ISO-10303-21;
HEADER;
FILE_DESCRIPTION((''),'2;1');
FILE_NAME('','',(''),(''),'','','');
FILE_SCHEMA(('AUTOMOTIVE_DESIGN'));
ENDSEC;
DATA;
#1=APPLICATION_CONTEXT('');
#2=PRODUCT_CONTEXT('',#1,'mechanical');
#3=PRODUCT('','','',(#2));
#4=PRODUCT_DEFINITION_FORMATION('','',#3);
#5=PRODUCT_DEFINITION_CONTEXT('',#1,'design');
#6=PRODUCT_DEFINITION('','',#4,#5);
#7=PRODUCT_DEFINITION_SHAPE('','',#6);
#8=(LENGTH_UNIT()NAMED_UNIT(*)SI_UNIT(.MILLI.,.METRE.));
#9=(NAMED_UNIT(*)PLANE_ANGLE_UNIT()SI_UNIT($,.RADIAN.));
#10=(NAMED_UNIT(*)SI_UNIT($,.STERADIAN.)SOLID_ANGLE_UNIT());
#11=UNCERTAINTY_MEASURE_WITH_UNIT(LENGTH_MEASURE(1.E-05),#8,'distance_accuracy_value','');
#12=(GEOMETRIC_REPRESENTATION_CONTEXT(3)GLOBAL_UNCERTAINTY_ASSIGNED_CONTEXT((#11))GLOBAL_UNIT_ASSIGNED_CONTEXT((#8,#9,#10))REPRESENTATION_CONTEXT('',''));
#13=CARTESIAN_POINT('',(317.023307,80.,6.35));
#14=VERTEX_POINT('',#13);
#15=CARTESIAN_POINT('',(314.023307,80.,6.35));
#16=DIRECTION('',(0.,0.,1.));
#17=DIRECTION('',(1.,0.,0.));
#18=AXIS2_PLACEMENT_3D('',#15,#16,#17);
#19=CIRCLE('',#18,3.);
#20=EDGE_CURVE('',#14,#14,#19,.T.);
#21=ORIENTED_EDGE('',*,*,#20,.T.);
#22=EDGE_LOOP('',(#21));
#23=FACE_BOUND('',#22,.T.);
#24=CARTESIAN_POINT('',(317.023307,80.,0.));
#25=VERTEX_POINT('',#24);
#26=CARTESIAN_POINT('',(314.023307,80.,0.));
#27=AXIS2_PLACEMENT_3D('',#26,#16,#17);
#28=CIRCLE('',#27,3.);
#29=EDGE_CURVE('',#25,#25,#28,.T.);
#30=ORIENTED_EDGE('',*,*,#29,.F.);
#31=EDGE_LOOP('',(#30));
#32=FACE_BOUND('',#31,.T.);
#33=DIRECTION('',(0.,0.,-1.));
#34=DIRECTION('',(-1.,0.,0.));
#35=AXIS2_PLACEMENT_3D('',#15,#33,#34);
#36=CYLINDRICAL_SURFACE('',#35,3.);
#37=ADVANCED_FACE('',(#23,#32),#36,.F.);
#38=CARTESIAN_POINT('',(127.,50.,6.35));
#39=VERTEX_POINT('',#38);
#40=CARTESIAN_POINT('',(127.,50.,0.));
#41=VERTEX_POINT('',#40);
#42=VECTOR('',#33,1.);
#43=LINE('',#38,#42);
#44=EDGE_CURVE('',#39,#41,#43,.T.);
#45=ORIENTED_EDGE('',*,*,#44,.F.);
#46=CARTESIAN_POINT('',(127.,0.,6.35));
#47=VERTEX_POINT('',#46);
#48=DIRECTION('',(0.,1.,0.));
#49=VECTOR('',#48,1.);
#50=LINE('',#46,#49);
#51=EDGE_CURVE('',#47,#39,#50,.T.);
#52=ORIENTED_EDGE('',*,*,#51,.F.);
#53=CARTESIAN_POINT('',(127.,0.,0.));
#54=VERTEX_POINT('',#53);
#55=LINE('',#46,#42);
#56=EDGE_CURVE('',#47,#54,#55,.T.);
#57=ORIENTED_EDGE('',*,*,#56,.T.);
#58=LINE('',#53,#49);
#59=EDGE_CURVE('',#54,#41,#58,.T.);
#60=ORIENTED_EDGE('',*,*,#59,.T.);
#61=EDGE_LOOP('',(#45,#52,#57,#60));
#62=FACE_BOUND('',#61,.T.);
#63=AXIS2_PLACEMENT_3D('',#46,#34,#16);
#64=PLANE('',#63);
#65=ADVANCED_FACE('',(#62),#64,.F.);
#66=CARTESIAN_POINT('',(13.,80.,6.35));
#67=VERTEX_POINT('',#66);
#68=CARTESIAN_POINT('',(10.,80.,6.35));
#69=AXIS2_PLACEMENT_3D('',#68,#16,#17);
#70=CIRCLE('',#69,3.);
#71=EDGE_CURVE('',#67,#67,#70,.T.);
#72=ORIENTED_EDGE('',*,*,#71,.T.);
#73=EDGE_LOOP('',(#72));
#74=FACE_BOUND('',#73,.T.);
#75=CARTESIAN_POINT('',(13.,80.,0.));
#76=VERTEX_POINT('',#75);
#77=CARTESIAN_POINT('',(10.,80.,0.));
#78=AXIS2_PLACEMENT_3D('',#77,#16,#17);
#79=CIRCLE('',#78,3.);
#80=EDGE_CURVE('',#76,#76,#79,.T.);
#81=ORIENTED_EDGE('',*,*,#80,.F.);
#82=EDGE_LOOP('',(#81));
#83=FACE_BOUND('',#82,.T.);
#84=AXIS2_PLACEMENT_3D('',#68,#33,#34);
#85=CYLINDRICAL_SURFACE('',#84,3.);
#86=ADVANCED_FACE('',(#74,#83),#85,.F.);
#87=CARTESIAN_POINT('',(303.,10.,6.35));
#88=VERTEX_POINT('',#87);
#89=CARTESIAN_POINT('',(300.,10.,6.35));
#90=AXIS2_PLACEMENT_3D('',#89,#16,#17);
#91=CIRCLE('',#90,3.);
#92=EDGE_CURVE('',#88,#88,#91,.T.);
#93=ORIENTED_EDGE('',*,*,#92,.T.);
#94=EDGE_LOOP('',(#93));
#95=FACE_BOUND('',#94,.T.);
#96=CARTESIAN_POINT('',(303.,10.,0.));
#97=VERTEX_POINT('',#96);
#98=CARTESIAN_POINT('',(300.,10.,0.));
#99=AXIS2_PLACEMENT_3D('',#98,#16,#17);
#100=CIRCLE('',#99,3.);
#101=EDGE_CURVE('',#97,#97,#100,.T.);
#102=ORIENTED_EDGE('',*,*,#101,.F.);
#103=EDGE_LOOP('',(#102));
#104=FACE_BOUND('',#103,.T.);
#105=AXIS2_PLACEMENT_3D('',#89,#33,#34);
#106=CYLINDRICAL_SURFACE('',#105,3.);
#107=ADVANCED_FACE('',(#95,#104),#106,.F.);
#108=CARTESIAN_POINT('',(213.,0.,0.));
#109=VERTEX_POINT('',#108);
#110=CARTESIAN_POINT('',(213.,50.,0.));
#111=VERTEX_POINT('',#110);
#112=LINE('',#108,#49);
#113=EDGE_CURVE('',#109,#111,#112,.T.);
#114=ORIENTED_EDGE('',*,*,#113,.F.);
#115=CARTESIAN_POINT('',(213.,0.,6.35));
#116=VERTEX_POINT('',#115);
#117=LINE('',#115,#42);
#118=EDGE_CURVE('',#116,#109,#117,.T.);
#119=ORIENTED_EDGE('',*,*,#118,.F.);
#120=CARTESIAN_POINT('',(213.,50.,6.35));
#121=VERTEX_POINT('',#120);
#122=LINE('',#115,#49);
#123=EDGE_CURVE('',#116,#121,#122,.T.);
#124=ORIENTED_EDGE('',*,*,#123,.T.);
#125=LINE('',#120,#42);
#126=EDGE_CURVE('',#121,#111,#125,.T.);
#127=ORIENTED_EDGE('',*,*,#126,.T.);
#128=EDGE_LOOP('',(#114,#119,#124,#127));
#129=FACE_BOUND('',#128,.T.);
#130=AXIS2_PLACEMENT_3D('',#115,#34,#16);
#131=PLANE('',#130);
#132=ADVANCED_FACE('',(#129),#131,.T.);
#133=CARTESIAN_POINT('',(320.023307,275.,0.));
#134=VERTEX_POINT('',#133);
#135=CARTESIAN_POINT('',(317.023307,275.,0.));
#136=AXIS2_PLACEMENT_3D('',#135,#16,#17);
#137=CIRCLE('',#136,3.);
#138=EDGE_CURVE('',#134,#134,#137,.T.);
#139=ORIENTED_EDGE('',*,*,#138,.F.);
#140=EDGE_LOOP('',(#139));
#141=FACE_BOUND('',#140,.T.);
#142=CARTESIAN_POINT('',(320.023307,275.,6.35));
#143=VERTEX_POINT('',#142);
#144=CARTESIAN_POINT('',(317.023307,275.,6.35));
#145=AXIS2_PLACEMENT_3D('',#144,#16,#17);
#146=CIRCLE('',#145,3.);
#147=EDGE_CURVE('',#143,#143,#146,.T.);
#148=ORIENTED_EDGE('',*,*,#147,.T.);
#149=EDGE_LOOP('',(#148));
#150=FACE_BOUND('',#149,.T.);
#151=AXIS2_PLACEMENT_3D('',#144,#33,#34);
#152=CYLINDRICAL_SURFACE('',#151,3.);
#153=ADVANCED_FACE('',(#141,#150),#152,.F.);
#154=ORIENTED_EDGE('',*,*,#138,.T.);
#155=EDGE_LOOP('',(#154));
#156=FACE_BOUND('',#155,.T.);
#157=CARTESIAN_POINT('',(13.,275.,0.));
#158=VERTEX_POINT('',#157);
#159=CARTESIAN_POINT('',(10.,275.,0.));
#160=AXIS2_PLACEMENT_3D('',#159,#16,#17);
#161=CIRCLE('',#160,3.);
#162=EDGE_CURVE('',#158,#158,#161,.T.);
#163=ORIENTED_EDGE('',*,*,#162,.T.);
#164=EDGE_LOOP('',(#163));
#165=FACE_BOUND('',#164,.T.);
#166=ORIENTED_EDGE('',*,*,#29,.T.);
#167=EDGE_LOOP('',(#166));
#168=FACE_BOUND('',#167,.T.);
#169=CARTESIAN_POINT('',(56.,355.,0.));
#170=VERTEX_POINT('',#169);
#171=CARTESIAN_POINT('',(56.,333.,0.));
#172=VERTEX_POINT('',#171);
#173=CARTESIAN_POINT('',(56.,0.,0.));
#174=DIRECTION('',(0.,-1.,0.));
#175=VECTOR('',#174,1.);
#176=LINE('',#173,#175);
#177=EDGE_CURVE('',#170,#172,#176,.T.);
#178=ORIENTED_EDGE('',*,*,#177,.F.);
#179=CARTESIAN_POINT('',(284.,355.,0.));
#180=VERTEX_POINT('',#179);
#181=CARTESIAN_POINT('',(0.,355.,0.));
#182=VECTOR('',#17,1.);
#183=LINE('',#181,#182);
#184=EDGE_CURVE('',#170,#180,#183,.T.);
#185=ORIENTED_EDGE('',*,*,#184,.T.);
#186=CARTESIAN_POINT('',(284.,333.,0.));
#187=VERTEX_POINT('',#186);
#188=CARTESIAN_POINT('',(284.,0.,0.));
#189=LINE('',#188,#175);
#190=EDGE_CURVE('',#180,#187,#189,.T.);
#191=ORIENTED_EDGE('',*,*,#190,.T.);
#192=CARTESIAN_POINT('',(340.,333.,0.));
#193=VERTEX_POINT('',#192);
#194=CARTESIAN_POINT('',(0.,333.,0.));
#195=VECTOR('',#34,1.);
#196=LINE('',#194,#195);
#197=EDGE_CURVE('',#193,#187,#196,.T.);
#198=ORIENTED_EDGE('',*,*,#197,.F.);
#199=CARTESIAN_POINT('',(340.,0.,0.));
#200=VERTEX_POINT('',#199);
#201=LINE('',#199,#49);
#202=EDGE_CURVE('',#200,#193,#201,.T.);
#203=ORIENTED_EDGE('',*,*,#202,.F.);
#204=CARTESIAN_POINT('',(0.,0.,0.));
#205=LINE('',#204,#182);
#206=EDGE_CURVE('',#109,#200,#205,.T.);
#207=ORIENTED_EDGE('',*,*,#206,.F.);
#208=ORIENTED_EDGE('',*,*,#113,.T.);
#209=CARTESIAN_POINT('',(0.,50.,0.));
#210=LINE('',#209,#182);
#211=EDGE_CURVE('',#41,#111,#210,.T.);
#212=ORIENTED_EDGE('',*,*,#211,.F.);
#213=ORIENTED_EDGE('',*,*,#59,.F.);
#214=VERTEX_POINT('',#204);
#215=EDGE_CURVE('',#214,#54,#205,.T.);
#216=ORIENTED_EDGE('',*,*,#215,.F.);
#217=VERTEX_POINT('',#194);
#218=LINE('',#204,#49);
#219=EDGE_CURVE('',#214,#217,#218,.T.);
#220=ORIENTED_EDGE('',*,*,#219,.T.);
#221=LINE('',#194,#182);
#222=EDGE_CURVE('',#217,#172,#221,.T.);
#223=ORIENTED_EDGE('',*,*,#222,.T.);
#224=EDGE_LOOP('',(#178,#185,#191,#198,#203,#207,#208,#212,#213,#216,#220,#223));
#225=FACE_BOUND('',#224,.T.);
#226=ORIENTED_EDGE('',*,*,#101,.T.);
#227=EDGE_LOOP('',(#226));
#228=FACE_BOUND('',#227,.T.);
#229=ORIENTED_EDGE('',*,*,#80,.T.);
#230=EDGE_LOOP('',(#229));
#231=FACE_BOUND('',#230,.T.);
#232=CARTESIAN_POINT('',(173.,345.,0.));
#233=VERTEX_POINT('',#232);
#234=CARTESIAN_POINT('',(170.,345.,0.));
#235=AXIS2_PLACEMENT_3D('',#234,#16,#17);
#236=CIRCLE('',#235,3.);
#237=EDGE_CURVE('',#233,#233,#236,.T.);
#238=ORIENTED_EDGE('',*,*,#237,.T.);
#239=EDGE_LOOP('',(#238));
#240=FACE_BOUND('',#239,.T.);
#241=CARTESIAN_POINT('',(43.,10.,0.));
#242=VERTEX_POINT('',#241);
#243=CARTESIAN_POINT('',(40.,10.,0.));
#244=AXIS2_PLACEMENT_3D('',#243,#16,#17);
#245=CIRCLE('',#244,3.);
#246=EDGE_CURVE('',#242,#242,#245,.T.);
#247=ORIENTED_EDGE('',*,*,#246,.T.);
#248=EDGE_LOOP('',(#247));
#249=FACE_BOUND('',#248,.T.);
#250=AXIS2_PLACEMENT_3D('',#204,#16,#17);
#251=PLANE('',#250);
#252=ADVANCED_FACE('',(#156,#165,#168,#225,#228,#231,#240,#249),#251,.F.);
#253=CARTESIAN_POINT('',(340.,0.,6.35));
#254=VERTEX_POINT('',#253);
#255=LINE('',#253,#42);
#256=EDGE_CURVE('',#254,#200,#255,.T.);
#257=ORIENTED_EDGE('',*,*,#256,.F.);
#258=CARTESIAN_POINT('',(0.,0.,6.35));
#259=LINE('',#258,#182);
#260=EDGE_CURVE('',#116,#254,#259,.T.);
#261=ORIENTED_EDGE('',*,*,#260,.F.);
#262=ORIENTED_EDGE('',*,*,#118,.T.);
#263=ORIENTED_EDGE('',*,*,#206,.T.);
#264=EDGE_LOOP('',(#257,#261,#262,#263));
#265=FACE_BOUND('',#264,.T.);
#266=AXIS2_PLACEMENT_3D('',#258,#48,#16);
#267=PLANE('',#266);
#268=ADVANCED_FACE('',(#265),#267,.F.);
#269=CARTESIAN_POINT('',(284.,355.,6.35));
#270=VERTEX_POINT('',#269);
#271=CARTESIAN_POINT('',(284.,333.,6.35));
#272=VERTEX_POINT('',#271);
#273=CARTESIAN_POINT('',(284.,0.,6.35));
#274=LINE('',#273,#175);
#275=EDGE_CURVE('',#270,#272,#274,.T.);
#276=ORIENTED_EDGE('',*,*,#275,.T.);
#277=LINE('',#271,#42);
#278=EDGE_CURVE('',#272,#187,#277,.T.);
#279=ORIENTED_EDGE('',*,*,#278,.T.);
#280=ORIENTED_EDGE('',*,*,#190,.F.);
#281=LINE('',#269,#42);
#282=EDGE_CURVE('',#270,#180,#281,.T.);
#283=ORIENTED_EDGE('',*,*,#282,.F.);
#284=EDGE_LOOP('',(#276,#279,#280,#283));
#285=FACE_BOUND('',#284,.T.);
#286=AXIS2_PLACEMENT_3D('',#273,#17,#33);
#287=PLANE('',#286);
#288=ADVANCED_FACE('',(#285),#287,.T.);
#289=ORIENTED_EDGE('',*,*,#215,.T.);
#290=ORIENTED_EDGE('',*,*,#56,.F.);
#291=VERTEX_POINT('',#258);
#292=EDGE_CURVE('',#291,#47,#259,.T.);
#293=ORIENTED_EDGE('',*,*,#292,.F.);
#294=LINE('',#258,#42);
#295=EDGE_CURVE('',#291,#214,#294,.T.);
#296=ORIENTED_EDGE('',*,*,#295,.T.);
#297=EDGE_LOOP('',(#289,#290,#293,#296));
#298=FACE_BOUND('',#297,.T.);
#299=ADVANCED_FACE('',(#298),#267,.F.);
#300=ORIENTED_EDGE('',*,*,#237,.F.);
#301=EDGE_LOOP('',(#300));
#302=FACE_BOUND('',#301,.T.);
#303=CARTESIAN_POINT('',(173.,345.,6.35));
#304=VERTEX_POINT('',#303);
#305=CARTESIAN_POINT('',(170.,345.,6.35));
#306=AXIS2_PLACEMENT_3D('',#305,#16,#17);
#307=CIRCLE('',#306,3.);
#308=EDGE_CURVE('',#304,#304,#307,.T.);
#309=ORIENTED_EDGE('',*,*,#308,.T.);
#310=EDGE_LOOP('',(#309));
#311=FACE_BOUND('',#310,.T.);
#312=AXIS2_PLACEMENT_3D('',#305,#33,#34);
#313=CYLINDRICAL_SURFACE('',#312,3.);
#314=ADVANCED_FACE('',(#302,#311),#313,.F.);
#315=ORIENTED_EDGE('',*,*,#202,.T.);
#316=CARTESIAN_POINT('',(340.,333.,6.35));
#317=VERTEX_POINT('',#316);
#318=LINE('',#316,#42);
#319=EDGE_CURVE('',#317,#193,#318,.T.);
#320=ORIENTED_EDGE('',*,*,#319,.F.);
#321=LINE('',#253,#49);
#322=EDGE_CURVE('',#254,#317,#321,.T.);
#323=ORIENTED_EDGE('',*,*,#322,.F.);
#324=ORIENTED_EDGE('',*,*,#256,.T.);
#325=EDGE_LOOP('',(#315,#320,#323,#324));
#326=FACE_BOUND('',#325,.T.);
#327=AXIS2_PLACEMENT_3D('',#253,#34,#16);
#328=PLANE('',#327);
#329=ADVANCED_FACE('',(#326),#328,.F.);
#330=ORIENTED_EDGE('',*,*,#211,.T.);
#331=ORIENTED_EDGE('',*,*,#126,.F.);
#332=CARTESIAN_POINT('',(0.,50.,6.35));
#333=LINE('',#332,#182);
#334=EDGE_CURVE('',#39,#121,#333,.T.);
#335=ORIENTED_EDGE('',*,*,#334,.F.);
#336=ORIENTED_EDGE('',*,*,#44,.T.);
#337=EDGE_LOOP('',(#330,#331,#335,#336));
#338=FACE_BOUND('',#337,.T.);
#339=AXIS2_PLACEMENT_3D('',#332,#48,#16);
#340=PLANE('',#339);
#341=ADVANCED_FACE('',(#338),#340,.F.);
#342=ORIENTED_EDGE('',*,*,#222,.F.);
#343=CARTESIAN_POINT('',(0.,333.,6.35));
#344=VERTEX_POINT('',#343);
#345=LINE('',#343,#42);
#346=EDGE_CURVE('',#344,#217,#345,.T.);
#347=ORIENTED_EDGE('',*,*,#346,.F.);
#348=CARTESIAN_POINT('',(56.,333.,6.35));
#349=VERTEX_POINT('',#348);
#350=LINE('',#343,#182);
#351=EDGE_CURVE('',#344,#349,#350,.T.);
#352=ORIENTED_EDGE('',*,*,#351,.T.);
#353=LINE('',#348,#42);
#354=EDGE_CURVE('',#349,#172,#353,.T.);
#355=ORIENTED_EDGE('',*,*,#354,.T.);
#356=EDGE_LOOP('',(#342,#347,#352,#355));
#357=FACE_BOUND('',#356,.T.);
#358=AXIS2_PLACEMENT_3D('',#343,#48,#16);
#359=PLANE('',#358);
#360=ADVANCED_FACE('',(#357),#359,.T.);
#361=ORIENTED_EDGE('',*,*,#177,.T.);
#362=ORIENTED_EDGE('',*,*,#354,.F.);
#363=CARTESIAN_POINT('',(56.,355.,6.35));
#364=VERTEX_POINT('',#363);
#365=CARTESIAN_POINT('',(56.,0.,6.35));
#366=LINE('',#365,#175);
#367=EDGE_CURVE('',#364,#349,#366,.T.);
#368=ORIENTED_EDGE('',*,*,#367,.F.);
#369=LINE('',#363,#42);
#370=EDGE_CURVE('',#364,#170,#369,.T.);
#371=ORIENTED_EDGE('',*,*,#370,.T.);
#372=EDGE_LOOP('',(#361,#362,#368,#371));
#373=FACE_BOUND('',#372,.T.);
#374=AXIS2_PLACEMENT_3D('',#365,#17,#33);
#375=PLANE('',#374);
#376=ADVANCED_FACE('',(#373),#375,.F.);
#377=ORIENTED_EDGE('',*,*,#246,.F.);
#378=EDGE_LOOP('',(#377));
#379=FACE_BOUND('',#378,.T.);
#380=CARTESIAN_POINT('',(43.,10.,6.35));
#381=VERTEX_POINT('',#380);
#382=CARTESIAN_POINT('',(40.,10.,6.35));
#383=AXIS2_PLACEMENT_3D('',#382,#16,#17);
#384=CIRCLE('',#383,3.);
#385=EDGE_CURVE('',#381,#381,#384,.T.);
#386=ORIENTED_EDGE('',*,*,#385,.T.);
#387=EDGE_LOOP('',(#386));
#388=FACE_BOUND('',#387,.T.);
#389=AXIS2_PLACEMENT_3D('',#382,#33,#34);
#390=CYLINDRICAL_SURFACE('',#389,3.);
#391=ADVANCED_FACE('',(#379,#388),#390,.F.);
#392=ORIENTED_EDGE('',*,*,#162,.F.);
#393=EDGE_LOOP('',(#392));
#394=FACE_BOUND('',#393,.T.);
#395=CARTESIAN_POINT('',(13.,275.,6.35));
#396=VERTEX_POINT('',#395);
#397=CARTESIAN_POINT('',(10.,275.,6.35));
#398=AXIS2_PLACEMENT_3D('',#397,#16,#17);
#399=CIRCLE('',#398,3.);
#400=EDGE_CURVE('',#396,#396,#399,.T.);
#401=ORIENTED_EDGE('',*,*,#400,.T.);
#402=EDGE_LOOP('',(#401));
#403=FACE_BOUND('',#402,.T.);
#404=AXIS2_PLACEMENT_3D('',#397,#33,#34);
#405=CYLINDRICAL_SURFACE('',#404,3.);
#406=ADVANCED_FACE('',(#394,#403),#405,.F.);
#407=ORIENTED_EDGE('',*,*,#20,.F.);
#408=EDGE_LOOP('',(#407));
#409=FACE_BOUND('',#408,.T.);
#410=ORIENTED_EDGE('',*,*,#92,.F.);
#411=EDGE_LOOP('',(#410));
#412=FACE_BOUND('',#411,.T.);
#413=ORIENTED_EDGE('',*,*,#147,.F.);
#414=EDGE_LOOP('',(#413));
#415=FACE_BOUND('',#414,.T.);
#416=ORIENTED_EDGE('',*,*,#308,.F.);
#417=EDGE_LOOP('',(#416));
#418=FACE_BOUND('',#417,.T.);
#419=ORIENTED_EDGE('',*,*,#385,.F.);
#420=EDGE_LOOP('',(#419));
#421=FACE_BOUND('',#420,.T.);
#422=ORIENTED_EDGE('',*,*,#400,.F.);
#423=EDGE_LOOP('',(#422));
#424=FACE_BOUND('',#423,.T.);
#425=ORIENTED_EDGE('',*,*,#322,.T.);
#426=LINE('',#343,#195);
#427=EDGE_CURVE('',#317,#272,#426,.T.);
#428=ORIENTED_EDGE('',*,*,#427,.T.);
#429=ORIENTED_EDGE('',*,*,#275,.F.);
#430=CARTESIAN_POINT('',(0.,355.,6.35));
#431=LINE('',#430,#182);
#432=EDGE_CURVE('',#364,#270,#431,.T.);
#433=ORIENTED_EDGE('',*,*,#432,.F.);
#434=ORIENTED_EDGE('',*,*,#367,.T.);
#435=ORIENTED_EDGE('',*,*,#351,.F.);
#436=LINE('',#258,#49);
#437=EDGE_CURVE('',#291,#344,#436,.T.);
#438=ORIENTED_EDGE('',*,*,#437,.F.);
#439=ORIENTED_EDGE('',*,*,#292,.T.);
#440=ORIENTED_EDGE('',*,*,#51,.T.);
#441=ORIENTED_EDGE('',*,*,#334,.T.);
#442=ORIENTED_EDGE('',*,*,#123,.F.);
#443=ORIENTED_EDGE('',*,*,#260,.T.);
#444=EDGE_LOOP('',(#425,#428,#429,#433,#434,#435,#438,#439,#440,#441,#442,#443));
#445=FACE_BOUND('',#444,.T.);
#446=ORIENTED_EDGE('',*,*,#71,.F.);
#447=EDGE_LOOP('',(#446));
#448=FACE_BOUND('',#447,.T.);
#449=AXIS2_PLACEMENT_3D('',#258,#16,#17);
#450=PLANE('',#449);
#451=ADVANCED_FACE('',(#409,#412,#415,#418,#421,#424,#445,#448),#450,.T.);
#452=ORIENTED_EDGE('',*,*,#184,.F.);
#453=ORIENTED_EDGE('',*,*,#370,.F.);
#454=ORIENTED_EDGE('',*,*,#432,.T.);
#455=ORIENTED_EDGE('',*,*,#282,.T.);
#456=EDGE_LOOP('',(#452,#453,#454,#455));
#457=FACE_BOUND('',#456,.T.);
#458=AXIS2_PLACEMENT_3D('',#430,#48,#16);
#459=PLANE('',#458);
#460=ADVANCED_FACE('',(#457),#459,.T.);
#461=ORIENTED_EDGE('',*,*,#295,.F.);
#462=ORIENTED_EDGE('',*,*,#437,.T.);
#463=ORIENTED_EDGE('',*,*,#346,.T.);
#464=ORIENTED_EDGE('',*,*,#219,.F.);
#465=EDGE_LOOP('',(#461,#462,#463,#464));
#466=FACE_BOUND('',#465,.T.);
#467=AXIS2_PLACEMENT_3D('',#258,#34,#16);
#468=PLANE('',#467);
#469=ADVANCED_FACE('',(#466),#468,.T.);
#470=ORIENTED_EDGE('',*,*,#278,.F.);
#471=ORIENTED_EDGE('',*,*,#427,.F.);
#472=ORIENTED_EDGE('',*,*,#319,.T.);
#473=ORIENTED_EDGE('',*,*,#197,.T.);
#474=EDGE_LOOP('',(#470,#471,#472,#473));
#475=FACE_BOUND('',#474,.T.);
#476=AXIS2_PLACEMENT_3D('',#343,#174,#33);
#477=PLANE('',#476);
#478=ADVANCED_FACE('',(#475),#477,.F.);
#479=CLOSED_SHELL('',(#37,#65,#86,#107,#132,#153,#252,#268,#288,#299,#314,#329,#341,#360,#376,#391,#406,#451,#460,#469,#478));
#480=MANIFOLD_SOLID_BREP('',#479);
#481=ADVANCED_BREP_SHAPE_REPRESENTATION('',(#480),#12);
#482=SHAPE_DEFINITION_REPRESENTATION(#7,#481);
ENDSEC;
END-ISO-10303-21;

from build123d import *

# Parameters (mm, degrees)
SKETCH1_R           = 3
BOSS_EXTRUDE1_DEPTH = 6.35


with BuildPart() as part:
    # Sketch1 → Boss-Extrude1 (new body)
    with BuildSketch(Plane.XY):
        Polygon((0, 333), (0, 0), (127, 0), (127, 50), (213, 50), (213, 0), (340, 0), (340, 333), (284, 333), (284, 355), (56, 355), (56, 333), align=None)
        with Locations((40, 10)):
            Circle(SKETCH1_R, mode=Mode.SUBTRACT)
        with Locations((10, 80)):
            Circle(SKETCH1_R, mode=Mode.SUBTRACT)
        with Locations((300, 10)):
            Circle(SKETCH1_R, mode=Mode.SUBTRACT)
        with Locations((314.023307373, 80)):
            Circle(SKETCH1_R, mode=Mode.SUBTRACT)
        with Locations((10, 275)):
            Circle(SKETCH1_R, mode=Mode.SUBTRACT)
        with Locations((170, 345)):
            Circle(SKETCH1_R, mode=Mode.SUBTRACT)
        with Locations((317.023307373, 275)):
            Circle(SKETCH1_R, mode=Mode.SUBTRACT)
    extrude(amount=BOSS_EXTRUDE1_DEPTH)


solid = part.part
